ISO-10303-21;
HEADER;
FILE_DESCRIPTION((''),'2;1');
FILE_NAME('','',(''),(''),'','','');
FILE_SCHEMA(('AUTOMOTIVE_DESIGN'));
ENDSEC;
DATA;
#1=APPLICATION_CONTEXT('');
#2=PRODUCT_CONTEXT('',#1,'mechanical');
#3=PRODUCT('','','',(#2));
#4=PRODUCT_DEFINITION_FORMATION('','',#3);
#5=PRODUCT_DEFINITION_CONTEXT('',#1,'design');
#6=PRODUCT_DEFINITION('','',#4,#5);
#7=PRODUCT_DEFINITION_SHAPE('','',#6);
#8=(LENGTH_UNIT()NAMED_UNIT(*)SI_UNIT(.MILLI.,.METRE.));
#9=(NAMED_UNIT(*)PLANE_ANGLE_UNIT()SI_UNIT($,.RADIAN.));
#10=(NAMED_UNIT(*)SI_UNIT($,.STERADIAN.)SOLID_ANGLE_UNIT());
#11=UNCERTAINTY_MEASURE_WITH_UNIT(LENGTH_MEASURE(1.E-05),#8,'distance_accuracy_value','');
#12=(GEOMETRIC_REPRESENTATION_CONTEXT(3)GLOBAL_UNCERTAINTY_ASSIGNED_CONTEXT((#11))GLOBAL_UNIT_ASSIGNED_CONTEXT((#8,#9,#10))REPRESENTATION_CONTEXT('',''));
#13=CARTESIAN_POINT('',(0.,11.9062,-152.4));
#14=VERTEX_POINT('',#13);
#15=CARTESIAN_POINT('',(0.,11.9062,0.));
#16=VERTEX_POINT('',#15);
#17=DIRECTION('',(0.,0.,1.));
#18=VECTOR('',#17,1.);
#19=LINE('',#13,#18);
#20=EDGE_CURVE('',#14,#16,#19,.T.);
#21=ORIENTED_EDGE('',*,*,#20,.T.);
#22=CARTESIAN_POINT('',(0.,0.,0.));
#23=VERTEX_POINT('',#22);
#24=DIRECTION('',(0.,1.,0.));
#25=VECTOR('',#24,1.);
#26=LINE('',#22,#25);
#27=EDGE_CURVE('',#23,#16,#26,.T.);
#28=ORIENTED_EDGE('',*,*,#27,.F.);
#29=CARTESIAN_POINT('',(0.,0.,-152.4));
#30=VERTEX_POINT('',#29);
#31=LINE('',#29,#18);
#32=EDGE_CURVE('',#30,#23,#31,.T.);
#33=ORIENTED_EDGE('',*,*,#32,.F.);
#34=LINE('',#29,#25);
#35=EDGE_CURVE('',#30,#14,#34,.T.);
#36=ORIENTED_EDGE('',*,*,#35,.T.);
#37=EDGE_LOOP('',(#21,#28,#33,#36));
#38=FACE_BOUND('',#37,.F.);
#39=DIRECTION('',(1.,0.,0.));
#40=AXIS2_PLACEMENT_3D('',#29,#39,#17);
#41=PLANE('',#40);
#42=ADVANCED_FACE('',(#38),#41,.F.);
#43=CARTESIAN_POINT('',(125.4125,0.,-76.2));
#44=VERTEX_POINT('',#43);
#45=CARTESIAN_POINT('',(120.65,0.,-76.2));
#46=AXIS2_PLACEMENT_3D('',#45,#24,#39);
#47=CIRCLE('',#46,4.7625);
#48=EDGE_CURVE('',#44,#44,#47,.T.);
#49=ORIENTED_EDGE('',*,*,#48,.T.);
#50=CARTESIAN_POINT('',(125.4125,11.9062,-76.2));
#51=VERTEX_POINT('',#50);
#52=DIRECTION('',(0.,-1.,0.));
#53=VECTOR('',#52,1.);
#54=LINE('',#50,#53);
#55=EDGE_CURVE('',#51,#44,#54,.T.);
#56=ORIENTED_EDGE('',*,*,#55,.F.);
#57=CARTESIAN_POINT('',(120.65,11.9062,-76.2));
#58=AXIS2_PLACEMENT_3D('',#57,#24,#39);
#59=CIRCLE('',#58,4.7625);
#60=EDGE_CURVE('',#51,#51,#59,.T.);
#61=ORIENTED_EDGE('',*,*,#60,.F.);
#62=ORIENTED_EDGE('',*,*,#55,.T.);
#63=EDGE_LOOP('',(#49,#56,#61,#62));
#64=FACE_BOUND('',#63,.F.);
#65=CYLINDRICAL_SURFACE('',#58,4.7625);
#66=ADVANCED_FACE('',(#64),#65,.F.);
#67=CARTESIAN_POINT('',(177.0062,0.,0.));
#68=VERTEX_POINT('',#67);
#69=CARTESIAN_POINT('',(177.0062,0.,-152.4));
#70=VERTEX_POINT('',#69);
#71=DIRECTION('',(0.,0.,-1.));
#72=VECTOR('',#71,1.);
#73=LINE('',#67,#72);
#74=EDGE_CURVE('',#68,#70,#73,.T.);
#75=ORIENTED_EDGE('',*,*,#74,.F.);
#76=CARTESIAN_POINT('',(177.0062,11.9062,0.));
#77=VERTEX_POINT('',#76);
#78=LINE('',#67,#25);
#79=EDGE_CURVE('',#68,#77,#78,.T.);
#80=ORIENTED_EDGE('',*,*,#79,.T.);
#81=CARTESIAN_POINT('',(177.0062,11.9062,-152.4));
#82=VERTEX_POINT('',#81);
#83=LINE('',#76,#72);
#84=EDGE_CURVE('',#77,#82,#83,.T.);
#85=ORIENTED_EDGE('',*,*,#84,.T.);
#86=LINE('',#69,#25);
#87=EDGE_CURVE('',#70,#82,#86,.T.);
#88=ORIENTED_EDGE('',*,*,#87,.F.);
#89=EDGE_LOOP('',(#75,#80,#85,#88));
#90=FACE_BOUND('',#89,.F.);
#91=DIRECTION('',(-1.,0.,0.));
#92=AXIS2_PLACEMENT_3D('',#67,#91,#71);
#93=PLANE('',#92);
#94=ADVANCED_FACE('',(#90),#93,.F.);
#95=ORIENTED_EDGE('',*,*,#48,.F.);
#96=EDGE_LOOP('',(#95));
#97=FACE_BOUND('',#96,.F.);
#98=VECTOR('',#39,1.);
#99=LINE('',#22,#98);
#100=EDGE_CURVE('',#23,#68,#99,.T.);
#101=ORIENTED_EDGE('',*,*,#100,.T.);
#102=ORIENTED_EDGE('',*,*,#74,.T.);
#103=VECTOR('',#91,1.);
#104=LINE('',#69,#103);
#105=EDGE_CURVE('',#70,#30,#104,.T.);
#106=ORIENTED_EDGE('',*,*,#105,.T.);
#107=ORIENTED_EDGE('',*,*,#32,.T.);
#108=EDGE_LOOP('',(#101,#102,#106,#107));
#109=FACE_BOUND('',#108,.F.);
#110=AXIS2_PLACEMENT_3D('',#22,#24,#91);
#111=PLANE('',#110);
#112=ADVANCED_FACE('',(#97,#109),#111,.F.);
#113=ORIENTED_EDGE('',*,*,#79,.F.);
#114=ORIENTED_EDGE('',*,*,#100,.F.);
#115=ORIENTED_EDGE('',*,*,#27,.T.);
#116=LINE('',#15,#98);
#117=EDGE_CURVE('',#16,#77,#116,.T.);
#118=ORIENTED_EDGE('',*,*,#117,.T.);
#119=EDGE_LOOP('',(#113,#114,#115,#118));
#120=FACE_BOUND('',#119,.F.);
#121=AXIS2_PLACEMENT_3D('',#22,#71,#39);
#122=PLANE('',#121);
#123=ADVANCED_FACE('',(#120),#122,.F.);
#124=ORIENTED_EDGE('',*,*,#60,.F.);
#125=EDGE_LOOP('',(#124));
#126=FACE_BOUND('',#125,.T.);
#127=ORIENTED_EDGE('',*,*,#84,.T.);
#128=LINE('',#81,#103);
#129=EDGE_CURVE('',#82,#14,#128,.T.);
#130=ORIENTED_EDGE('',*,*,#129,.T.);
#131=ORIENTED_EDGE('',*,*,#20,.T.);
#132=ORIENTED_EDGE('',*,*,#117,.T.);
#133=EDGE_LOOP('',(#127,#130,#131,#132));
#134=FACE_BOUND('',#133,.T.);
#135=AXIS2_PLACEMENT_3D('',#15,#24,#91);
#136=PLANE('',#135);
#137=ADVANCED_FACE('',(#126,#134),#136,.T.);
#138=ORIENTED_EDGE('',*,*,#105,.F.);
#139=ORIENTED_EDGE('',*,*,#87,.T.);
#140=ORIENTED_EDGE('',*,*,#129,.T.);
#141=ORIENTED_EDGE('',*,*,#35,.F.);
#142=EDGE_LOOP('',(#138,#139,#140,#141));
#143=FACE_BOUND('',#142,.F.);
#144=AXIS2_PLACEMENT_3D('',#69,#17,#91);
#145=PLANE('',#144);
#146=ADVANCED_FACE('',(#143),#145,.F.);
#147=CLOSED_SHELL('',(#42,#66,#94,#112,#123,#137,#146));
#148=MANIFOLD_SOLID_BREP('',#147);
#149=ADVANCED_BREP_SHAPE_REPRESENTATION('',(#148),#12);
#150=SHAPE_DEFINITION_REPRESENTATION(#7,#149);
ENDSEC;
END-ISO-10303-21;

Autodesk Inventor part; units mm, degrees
ref_plane "YZ Plane" through (0, 0, 0) normal (1, 0, 0) x (0, 1, 0)
ref_plane "XZ Plane" through (0, 0, 0) normal (0, 1, 0) x (-1, 0, 0)
ref_plane "XY Plane" through (0, 0, 0) normal (0, 0, 1) x (1, 0, 0)
sketch "Sketch1" plane through (0, 0, 0) normal (0, 1, 0) x (-1, 0, 0)
  line L0 (0, 0) -> (-177.0062, 0)
  line L1 (-177.0062, 0) -> (-177.0062, -152.4)
  line L2 (-177.0062, -152.4) -> (0, -152.4)
  line L3 (0, -152.4) -> (0, 0)
  dimension "d0" = 177.0062
  dimension "d1" = 152.4
extrude "Extrusion1" add sketch "Sketch1" along normal blind 11.9062
sketch "Sketch2" plane through (0, 11.9062, 0) normal (0, 1, 0) x (1, 0, 0)
  line L0 (0, 0) -> (177.0062, 0) projected
  line L1 (177.0062, 0) -> (177.0062, 152.4) projected
  line L2 (177.0062, 152.4) -> (0, 152.4) projected
  line L3 (0, 152.4) -> (0, 0) projected
  line L4 (0, 0) -> (177.0062, 0) projected
  line L5 (177.0062, 76.2) -> (120.65, 76.2)
  circle A0 centre (120.65, 76.2) radius 4.7625
  dimension "d4" = 56.3563
  dimension "d5" = 9.525
extrude "Extrusion2" cut sketch "Sketch2" against normal up to surface (11.9062 mm away) contours A0
properties part number "Stage2Wall" material "Wood (Birch)"
